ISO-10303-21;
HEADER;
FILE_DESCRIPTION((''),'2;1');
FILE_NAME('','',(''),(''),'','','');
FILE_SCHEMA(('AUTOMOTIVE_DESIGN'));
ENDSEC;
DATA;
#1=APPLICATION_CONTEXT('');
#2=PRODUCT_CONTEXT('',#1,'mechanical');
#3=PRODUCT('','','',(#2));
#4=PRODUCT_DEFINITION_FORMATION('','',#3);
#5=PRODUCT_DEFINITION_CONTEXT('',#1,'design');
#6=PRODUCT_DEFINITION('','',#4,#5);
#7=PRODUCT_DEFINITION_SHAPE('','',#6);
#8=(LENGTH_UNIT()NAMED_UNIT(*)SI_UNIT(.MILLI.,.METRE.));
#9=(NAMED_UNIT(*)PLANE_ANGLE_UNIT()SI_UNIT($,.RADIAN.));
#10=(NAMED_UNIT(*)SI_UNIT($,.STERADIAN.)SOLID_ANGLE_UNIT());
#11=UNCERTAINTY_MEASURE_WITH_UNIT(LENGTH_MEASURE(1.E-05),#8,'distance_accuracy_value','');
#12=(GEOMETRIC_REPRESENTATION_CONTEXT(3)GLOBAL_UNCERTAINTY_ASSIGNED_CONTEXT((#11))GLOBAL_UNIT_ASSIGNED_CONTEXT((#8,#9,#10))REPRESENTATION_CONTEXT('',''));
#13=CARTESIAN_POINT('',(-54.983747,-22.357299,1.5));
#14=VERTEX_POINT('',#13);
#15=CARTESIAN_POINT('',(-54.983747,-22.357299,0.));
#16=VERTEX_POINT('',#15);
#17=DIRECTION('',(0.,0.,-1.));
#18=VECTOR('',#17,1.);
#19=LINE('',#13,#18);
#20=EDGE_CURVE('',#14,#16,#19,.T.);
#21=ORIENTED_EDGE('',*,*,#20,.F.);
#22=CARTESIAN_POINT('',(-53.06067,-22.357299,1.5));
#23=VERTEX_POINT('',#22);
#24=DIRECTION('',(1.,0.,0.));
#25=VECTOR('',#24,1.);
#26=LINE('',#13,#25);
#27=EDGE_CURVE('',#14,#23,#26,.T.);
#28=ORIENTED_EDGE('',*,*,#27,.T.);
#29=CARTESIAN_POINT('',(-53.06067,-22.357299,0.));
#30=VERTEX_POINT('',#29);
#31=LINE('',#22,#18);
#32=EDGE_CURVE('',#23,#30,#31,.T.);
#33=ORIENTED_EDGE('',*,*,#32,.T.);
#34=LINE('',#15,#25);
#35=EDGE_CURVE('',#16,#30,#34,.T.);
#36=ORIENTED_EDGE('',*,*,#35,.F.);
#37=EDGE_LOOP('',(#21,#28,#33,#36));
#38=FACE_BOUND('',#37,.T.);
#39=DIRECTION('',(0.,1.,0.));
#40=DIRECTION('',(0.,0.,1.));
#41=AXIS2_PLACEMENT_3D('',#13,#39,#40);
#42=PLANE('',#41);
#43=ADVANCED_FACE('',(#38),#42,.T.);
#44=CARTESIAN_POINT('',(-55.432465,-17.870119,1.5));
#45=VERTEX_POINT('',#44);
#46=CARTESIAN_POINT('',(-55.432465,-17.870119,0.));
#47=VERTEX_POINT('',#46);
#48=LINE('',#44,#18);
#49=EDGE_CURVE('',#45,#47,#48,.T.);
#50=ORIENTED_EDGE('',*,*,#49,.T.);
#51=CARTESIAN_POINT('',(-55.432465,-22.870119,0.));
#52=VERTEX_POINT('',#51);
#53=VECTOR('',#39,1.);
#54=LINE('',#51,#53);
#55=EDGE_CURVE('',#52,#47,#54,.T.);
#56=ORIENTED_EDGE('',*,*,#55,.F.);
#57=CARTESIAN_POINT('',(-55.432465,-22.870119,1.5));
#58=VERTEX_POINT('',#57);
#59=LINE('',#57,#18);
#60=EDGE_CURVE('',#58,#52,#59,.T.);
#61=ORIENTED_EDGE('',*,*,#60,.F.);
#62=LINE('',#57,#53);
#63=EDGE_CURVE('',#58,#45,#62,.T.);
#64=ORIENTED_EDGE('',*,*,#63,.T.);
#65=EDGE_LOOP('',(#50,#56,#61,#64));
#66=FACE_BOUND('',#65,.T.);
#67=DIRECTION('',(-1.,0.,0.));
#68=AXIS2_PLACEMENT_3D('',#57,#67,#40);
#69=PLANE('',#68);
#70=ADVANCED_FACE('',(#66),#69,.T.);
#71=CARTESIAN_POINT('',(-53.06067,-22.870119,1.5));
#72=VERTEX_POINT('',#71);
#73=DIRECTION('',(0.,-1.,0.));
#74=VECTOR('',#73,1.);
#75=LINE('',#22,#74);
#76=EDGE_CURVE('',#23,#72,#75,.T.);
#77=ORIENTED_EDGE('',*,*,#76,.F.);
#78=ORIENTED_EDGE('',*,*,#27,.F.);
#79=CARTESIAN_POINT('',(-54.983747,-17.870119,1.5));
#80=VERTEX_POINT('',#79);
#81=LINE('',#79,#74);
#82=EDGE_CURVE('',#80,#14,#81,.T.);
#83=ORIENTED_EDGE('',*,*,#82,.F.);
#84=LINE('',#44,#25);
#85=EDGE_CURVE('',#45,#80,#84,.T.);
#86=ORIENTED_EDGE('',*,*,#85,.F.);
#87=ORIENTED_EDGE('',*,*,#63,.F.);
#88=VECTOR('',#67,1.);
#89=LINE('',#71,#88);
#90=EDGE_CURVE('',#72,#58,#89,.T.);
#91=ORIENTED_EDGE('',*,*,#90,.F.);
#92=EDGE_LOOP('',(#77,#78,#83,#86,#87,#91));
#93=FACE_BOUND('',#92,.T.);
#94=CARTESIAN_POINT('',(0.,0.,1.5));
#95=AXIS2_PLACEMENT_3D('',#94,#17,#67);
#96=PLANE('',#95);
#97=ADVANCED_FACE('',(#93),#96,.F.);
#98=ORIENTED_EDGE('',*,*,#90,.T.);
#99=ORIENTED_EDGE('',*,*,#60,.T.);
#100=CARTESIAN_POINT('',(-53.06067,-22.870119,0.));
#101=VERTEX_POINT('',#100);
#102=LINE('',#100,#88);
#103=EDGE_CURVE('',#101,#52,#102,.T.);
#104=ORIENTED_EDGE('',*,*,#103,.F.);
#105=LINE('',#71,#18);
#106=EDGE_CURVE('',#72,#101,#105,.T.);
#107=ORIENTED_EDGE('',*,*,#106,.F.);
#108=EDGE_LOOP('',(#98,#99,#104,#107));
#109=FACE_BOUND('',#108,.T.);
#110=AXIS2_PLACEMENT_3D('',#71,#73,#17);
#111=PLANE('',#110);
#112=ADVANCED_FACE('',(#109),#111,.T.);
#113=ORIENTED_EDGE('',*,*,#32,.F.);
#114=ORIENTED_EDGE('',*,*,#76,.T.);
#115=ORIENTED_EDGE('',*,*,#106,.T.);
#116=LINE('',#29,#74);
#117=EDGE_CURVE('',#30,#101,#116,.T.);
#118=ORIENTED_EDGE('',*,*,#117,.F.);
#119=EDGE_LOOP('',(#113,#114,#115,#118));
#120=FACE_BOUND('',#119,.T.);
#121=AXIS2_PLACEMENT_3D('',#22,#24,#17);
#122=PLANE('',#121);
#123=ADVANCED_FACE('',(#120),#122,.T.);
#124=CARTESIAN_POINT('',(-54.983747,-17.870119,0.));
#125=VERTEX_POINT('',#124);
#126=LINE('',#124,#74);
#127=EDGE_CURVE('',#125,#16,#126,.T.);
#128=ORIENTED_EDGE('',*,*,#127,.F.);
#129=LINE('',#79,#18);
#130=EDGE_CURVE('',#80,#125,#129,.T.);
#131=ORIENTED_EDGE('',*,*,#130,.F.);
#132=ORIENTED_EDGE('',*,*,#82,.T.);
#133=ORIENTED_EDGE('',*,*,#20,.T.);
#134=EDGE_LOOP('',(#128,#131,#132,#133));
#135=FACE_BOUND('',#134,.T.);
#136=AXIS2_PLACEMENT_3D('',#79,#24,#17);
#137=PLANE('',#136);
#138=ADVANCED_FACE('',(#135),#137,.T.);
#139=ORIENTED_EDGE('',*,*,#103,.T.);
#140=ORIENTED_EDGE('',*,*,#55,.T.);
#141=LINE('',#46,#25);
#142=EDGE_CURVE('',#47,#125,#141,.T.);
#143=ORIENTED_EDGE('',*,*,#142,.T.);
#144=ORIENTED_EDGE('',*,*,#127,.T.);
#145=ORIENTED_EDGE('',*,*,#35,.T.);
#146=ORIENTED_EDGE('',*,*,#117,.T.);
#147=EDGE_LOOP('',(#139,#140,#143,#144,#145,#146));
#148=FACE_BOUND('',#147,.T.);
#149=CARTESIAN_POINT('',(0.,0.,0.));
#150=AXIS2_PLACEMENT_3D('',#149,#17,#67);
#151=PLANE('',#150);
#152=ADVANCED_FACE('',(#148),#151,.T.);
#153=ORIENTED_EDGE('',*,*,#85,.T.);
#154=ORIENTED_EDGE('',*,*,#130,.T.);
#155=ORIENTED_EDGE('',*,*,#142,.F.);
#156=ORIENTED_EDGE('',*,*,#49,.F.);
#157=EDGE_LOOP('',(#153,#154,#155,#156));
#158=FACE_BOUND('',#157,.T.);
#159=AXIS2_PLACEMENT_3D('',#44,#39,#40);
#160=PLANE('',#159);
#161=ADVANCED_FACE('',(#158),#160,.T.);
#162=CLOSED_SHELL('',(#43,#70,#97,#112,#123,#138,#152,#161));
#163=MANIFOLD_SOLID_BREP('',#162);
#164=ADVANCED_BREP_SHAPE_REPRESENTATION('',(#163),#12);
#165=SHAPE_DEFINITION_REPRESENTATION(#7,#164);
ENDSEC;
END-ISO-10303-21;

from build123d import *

# Parameters (mm, degrees)
BOSS_EXTRU_1_DEPTH = 1.5


with BuildPart() as part:
    # Esquisse1 → Boss.-Extru.1 (new body)
    with BuildSketch(Plane.XY):
        Polygon((-55.432465326, -17.870119076), (-54.983747377, -17.870119076), (-54.983747377, -22.357298563), (-53.060670454, -22.357298563), (-53.060670454, -22.870119076), (-55.432465326, -22.870119076), align=None)
    extrude(amount=BOSS_EXTRU_1_DEPTH)


solid = part.part
